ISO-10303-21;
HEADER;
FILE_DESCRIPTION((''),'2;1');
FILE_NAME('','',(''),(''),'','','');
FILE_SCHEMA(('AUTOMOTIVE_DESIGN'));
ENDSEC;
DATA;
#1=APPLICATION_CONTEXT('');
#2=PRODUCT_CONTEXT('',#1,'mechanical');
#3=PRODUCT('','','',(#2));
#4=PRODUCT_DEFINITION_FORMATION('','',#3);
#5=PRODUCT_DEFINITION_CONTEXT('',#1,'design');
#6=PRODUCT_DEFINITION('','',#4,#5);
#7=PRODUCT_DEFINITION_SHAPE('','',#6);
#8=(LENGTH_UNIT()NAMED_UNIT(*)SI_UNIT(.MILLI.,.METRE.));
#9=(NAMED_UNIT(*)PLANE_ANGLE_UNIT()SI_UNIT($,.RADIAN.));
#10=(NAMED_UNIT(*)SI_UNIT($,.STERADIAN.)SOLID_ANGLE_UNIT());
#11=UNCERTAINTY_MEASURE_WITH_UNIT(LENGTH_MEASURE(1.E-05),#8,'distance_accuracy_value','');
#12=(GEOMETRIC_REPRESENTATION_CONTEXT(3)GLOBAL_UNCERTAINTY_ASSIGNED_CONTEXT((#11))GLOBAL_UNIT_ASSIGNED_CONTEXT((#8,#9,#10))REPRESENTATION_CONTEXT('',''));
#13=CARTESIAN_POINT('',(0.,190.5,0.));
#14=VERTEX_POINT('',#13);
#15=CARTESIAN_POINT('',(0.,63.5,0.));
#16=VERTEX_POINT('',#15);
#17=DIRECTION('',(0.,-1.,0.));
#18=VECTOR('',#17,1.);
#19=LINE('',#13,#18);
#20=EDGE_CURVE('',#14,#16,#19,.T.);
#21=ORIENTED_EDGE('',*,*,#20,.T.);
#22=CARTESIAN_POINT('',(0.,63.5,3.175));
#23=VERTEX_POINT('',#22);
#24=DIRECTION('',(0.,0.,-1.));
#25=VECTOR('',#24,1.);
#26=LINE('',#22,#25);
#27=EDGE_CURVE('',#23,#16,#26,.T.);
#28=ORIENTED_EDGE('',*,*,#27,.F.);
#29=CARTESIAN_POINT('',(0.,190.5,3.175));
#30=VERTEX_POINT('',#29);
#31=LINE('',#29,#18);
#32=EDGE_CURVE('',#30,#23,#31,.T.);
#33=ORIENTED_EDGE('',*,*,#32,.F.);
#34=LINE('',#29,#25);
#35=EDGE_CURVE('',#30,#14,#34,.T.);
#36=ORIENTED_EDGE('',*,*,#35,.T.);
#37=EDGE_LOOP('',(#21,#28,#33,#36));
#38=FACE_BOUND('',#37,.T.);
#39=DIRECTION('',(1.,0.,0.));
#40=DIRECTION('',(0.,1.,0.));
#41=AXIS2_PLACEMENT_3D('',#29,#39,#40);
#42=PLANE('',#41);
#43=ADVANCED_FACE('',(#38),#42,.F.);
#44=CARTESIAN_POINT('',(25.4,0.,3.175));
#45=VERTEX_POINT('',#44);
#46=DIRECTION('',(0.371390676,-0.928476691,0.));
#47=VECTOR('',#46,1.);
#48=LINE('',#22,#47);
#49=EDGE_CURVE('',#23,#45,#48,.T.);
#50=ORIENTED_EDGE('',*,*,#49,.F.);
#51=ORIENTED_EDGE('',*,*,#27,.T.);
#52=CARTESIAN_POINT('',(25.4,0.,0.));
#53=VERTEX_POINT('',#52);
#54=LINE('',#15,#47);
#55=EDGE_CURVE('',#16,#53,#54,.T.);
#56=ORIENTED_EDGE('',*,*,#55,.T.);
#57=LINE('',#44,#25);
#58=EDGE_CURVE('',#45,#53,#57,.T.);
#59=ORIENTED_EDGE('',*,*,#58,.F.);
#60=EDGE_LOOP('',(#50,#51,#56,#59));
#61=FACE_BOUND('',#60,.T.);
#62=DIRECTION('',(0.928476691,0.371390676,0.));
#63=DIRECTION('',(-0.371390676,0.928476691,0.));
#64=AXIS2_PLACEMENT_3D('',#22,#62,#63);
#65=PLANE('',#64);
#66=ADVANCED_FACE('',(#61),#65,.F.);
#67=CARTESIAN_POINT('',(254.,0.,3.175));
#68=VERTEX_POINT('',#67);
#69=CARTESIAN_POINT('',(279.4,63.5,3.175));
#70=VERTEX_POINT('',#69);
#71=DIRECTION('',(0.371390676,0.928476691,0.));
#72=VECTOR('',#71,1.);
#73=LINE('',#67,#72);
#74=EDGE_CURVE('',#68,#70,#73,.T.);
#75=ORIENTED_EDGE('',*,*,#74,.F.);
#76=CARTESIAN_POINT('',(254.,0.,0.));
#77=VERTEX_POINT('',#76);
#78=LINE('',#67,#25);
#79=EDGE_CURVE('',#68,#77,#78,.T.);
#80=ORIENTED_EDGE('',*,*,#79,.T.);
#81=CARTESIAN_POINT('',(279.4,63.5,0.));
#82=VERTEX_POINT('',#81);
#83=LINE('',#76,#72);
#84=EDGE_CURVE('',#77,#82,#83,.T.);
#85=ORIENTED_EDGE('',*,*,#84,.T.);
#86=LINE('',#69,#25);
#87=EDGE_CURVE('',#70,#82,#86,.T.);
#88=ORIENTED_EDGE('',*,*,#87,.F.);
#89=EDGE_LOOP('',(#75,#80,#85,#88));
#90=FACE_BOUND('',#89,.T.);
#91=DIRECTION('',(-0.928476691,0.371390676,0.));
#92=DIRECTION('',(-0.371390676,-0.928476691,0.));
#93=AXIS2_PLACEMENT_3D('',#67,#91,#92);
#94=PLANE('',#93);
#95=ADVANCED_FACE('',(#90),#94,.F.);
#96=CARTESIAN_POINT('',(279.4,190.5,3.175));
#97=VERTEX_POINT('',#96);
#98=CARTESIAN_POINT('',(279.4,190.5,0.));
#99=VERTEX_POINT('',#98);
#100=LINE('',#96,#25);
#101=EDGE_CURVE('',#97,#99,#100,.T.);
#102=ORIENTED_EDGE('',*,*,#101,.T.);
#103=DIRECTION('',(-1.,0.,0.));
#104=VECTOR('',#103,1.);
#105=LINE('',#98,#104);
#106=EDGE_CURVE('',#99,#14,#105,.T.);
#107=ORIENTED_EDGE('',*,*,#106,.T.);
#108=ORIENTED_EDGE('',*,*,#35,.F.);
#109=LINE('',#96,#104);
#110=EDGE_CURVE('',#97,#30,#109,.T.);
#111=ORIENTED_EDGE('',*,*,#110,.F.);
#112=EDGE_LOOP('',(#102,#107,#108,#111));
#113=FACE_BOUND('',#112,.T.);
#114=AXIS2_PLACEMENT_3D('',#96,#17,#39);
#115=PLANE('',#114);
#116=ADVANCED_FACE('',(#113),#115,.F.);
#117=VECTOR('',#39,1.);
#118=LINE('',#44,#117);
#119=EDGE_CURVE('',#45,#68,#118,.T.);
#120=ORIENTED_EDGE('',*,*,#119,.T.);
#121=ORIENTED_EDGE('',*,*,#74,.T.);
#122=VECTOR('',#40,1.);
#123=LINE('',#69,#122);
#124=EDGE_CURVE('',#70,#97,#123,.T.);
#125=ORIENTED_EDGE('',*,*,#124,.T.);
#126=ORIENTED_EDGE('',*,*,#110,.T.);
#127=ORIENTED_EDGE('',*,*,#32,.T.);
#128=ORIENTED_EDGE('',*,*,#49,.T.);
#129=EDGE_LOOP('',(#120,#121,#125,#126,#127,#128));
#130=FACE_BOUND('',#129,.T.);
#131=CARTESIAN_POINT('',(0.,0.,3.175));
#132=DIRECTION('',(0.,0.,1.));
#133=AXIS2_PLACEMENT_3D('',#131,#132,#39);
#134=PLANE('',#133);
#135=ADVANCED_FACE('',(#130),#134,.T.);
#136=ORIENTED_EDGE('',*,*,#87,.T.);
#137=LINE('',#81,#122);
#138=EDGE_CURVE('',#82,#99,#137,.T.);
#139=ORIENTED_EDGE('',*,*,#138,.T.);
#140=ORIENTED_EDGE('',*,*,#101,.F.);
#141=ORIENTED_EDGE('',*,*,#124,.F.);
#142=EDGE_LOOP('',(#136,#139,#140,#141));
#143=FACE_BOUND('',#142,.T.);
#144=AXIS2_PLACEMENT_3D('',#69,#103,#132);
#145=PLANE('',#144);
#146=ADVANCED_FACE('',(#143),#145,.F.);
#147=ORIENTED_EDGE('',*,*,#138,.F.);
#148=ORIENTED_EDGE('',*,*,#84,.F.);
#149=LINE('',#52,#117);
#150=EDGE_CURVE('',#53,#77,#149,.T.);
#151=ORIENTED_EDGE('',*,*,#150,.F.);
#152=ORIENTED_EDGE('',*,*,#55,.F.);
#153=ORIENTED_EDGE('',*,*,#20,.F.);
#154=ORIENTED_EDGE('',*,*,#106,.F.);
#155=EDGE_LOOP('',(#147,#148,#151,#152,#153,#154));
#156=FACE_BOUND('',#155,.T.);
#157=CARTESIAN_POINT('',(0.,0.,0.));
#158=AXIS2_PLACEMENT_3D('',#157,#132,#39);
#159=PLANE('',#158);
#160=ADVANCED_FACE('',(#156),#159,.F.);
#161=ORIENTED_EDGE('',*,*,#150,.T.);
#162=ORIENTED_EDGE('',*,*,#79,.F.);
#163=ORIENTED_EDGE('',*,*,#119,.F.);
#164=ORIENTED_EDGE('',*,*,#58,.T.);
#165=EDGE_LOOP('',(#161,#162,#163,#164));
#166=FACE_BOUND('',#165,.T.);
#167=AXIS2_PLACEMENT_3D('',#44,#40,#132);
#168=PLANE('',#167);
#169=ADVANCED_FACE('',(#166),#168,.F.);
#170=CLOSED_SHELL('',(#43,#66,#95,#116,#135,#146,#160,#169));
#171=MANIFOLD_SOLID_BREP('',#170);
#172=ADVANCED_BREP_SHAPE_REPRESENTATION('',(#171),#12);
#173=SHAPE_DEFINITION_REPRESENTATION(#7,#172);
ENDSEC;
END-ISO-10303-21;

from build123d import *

# Parameters (mm, degrees)
BOSS_EXTRUDE1_DEPTH = 3.175


with BuildPart() as part:
    # Sketch1 → Boss-Extrude1 (new body)
    with BuildSketch(Plane.XY):
        Polygon((25.4, 0), (254, 0), (279.4, 63.5), (279.4, 190.5), (0, 190.5), (0, 63.5), align=None)
    extrude(amount=BOSS_EXTRUDE1_DEPTH)


solid = part.part
